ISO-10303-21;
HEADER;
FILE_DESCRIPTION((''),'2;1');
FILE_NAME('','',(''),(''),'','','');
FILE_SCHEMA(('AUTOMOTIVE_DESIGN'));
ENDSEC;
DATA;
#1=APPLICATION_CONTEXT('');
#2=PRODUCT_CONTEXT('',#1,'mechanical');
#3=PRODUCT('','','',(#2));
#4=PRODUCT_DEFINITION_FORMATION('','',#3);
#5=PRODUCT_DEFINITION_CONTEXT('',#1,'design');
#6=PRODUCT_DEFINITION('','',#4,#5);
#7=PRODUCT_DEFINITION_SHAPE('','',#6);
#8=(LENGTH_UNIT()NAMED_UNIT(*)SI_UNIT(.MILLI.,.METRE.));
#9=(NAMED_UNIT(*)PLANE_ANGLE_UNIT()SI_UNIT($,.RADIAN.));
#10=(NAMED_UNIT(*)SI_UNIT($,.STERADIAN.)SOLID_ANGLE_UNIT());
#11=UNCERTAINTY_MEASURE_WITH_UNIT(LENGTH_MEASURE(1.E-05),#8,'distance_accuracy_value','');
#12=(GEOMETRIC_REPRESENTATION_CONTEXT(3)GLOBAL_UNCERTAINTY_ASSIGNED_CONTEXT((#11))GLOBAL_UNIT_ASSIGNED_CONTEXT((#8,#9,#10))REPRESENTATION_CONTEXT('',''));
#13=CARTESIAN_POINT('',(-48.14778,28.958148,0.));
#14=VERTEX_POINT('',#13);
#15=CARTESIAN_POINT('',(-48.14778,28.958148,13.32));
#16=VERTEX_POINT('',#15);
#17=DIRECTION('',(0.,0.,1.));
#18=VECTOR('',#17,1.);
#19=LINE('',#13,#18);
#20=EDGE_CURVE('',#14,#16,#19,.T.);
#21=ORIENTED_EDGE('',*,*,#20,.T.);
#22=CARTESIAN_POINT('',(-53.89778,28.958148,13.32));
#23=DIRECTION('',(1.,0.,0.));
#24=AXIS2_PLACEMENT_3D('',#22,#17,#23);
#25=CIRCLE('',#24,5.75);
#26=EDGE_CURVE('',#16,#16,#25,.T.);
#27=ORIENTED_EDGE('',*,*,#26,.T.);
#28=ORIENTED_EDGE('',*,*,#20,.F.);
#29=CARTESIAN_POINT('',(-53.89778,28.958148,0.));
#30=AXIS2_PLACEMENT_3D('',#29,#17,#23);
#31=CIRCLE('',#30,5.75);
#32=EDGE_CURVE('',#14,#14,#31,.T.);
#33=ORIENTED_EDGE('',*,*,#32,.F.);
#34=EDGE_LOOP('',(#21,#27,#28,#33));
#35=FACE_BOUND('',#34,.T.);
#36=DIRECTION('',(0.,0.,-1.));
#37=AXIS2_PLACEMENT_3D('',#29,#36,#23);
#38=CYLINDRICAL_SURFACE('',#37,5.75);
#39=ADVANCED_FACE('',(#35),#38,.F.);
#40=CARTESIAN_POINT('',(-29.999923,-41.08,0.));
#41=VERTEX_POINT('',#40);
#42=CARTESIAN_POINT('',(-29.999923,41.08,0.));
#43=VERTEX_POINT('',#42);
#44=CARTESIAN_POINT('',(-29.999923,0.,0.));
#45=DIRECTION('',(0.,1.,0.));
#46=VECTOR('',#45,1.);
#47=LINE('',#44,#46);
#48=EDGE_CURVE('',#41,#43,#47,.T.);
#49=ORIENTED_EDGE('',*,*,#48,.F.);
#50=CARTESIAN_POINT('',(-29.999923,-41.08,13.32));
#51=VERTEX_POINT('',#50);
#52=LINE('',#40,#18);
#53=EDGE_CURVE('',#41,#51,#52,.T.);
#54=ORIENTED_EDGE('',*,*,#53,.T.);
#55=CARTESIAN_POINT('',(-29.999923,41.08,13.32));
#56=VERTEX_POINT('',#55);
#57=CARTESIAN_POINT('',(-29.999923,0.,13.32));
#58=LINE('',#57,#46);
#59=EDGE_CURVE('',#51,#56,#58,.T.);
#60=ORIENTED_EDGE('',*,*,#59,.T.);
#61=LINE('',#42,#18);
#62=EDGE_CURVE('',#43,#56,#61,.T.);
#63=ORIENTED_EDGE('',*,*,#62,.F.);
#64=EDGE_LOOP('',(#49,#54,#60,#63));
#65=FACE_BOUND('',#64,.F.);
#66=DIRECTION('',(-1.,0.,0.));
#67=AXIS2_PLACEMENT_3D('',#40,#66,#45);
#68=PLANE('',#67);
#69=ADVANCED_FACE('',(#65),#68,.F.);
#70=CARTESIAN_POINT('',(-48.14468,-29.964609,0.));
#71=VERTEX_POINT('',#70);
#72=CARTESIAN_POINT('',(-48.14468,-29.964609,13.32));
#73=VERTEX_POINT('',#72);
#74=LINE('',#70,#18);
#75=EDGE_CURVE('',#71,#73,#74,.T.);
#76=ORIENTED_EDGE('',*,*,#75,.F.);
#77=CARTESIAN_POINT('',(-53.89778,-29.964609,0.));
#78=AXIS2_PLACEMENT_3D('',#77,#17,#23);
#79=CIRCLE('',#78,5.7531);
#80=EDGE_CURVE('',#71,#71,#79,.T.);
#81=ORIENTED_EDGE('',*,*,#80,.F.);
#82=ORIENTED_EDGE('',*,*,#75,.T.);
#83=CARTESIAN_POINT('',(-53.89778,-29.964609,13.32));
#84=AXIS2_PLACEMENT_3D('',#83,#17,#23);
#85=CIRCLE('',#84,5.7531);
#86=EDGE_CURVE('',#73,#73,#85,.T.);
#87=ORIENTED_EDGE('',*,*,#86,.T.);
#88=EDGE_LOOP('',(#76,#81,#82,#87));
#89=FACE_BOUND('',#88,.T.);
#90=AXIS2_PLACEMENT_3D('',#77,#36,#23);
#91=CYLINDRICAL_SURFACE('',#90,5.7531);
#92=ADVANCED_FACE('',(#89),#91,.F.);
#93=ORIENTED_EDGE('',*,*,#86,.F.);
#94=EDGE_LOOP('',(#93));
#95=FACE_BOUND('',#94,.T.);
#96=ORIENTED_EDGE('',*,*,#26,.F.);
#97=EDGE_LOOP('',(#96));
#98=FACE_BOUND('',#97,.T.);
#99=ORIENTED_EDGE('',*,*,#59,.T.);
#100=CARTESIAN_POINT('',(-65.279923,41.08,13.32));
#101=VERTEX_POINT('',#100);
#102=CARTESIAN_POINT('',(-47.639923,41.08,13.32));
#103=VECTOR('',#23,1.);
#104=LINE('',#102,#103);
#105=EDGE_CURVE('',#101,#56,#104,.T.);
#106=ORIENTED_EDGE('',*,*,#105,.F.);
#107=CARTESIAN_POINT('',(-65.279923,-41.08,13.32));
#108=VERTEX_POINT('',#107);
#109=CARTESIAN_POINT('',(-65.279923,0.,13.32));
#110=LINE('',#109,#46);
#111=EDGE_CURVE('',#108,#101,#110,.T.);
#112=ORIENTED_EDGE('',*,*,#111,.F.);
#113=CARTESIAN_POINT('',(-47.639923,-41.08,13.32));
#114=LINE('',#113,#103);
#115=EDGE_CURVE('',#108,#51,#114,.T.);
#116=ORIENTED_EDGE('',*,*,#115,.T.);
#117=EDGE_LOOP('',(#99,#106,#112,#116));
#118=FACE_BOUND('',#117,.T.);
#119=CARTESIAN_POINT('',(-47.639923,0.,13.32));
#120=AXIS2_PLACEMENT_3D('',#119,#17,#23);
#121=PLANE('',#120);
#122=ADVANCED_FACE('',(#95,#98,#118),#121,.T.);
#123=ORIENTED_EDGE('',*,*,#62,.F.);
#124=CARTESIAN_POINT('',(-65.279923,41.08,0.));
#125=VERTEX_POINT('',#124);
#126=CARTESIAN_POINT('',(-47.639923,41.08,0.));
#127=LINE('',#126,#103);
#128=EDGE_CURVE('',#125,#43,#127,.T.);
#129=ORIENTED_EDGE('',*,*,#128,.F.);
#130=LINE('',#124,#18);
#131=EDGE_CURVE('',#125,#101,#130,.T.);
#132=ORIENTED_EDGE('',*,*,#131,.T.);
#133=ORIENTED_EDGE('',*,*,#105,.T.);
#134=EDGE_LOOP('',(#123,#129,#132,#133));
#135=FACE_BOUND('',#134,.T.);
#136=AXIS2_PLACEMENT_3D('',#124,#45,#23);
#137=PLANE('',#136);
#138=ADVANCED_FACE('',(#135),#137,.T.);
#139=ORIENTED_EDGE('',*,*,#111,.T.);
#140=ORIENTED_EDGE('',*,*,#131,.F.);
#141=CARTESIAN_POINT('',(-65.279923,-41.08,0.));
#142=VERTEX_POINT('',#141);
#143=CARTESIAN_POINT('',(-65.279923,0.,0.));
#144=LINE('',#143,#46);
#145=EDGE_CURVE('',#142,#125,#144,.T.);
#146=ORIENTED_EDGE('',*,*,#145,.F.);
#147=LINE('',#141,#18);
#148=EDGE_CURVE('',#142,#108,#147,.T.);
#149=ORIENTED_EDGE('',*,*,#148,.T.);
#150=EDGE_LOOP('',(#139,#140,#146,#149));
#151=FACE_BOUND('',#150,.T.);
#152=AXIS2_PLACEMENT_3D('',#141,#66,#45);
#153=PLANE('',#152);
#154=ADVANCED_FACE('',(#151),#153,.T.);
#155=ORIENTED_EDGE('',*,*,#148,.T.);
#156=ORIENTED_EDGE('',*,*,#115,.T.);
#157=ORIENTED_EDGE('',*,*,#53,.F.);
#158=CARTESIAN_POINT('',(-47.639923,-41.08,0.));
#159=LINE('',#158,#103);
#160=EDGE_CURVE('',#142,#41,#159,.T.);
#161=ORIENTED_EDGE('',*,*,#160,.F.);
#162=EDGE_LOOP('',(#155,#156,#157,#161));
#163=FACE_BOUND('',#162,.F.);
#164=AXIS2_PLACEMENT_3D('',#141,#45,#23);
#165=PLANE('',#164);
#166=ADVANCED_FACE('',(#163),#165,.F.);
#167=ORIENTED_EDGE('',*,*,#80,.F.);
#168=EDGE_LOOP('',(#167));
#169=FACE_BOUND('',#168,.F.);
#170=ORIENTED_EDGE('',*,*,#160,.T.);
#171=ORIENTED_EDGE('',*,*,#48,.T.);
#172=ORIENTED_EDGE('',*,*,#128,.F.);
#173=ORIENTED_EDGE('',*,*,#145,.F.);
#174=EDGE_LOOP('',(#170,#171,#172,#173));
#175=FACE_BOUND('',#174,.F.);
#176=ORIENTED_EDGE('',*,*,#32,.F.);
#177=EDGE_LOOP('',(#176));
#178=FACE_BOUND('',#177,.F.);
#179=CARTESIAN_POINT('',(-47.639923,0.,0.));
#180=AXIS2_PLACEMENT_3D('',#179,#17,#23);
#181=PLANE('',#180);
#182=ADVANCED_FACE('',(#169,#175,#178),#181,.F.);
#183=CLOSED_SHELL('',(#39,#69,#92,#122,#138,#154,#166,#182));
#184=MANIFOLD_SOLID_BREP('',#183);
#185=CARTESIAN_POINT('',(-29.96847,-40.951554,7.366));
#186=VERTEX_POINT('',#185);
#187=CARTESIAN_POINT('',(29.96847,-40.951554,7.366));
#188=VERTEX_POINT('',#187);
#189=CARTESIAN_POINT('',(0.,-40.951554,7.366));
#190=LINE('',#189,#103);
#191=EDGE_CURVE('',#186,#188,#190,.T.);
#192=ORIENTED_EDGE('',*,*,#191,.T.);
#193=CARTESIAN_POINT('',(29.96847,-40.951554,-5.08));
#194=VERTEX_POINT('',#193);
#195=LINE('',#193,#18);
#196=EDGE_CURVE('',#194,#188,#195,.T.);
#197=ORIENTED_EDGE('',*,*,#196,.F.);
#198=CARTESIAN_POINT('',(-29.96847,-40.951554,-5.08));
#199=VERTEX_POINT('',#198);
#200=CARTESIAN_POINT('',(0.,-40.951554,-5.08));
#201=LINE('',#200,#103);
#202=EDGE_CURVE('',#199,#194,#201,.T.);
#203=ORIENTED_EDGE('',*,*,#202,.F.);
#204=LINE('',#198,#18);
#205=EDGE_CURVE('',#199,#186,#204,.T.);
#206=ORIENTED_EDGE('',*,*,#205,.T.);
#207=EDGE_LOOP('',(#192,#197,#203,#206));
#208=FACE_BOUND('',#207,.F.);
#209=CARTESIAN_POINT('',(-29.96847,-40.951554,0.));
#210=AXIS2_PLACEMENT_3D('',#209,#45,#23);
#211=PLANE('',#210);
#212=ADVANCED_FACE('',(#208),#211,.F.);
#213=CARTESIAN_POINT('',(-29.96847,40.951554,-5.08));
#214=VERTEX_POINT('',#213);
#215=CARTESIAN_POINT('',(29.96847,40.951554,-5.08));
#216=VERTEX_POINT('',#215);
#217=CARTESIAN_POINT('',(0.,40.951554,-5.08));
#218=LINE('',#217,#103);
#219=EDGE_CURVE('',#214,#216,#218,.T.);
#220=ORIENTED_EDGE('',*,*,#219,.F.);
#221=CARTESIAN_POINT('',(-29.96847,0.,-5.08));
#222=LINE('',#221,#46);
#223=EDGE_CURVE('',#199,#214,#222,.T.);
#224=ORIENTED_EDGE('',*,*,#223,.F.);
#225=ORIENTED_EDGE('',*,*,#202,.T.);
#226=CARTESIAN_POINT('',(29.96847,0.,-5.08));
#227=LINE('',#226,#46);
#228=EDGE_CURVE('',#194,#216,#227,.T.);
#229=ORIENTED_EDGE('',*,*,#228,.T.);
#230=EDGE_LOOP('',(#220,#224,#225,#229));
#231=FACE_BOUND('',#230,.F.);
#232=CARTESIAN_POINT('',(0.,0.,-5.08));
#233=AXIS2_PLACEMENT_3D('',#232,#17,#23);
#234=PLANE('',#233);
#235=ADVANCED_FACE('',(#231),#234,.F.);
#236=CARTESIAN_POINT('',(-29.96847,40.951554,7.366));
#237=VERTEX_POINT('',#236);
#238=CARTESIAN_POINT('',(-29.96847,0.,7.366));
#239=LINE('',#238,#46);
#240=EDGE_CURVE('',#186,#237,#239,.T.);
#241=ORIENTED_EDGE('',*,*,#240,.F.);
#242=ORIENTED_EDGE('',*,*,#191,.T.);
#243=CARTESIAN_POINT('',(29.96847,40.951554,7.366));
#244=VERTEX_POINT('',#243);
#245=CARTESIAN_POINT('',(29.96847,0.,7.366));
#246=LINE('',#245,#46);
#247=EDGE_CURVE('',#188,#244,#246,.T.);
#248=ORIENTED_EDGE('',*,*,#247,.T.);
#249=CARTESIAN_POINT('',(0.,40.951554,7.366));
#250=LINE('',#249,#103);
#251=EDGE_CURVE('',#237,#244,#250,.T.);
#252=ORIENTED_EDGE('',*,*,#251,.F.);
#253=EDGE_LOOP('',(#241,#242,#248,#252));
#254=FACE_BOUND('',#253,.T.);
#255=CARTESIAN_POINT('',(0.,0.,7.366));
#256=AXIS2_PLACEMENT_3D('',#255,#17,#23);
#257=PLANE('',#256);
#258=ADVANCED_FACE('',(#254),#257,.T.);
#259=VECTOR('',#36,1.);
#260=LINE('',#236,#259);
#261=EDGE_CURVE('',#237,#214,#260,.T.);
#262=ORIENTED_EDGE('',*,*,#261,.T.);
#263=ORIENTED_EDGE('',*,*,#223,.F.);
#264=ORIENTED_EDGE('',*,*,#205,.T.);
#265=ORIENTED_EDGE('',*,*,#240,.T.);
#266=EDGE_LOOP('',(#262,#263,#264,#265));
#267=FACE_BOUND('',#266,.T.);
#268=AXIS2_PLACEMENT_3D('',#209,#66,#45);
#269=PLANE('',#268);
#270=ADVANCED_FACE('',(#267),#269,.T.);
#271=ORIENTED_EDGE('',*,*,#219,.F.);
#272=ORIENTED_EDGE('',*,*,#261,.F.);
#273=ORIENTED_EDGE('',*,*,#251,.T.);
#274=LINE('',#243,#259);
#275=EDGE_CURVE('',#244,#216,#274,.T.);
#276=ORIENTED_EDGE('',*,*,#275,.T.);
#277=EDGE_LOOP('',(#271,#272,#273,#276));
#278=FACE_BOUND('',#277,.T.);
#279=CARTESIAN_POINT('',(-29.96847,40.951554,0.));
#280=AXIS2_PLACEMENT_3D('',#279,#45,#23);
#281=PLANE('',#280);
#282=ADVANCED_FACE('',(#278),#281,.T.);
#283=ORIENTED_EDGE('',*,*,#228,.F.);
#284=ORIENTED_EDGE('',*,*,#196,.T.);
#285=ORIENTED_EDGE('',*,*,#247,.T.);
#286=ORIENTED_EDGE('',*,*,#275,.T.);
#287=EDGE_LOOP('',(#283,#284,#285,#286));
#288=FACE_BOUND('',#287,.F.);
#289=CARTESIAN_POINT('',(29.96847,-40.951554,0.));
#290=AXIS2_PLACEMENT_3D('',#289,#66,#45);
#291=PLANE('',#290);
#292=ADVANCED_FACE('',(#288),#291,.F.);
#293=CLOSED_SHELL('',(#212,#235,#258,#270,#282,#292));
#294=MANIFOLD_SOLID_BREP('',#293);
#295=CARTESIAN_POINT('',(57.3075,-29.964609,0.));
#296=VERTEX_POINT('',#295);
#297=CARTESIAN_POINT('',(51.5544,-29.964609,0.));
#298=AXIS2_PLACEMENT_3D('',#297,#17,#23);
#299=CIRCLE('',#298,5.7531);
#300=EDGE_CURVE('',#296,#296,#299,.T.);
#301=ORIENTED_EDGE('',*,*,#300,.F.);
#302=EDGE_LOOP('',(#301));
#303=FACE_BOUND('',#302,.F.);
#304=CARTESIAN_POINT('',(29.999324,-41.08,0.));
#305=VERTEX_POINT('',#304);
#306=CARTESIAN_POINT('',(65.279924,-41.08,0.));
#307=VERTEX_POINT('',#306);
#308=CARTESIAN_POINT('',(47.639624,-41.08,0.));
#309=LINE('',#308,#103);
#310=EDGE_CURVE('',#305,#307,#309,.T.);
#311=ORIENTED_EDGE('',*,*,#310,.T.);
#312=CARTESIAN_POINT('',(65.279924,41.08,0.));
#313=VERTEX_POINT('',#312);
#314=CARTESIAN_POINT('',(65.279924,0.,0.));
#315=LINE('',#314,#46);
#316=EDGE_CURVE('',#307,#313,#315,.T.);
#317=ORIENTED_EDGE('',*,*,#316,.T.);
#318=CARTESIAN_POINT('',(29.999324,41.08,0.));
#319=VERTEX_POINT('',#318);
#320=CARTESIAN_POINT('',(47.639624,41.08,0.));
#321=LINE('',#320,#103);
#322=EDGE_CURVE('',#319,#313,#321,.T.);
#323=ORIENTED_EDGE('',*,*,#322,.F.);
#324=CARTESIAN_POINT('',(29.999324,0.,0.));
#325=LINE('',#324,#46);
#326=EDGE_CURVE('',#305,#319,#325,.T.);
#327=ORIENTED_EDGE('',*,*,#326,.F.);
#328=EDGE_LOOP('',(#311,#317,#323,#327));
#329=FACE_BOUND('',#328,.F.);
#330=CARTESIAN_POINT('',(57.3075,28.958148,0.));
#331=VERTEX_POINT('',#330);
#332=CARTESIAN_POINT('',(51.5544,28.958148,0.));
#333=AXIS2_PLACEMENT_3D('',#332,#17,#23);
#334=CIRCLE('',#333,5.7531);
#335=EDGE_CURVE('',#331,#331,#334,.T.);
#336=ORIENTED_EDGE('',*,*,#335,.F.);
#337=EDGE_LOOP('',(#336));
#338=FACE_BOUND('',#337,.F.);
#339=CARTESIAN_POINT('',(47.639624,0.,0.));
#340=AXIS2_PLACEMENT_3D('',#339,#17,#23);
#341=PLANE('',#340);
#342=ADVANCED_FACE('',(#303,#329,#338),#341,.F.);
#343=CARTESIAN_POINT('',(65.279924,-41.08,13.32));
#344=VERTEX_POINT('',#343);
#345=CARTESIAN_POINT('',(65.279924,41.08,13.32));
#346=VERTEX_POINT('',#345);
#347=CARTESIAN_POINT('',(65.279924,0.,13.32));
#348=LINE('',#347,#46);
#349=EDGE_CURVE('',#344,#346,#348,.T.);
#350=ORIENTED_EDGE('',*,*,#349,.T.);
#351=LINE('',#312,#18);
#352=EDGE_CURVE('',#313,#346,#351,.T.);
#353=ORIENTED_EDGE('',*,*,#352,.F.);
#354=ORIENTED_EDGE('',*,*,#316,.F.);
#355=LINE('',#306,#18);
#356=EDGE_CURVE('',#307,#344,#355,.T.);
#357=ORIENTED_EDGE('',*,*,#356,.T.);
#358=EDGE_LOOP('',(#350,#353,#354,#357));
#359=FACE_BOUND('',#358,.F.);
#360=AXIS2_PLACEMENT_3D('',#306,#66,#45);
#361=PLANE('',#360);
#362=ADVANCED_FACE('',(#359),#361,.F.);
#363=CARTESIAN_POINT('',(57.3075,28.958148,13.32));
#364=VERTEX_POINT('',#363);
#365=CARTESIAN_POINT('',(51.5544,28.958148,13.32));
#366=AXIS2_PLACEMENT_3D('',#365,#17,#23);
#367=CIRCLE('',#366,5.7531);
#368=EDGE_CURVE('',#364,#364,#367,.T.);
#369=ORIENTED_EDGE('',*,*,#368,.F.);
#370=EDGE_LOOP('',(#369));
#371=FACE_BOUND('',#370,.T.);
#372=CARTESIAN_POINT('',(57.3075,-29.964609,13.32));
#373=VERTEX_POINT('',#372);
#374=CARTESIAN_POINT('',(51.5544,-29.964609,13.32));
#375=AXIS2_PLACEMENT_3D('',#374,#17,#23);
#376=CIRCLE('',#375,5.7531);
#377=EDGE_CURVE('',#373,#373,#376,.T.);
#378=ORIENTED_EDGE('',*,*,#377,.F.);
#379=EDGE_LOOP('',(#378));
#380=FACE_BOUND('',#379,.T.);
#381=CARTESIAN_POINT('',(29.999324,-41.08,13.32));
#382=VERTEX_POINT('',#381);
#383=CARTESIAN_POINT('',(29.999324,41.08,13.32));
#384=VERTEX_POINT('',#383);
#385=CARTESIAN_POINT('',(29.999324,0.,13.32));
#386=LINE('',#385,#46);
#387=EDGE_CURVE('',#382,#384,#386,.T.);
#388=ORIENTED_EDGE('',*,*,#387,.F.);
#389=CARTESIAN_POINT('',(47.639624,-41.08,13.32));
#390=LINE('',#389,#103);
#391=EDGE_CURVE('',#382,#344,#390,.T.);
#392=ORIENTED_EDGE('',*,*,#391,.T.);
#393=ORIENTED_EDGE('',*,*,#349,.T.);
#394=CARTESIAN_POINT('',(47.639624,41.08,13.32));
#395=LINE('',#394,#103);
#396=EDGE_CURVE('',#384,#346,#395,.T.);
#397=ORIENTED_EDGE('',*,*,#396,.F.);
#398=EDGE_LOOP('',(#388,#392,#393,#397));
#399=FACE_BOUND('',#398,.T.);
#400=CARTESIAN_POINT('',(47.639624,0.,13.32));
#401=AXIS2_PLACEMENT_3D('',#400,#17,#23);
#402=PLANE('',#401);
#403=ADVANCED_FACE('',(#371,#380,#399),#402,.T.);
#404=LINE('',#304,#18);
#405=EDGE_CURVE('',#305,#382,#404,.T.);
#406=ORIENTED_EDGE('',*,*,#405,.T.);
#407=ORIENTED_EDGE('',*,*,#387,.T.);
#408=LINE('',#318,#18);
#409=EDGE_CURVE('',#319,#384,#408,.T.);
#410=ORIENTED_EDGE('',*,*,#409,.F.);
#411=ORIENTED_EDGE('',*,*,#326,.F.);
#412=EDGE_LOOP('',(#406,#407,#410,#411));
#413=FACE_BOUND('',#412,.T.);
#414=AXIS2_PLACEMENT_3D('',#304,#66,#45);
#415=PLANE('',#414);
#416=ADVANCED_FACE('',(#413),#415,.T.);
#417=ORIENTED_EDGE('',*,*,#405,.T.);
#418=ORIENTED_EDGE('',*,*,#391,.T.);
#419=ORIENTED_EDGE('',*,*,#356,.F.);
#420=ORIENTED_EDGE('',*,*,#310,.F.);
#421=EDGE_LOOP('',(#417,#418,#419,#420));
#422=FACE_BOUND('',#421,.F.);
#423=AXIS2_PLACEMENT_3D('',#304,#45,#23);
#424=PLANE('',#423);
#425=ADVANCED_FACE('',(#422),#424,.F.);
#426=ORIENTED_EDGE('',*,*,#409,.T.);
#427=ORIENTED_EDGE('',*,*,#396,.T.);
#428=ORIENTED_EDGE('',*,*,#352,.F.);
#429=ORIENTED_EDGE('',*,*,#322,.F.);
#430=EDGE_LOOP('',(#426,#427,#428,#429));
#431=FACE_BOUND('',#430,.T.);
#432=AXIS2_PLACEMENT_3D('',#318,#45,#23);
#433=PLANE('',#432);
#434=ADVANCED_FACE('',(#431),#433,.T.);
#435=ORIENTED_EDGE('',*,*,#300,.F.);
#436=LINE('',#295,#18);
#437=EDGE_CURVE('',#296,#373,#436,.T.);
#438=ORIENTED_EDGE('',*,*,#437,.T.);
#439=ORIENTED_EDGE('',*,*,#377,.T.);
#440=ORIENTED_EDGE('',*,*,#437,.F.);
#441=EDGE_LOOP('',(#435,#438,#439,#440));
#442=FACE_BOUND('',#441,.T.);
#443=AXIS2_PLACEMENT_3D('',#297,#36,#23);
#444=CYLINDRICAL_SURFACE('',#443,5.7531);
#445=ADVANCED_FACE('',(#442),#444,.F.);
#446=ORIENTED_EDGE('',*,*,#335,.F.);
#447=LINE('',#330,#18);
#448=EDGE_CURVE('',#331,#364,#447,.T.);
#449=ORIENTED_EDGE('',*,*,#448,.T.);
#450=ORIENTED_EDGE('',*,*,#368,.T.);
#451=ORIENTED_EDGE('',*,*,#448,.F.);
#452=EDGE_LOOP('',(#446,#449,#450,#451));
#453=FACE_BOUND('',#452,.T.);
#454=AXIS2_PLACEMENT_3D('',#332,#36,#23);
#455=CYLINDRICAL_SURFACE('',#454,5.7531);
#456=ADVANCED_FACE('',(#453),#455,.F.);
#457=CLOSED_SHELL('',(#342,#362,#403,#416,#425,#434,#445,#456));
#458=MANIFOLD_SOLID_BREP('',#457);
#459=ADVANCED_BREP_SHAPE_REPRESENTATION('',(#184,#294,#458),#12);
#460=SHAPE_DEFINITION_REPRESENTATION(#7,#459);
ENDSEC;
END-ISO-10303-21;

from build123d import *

# Parameters (mm, degrees)
F0_W     = 35.280001
F0_H     = 82.16
F0_R     = 5.7531
F0_R_2   = 5.75
F0_W_2   = 35.2806
F1_DEPTH = 13.32
F2_W     = 59.93694
F2_H     = 81.903108
F3_DEPTH = 5.08
F4_W     = 59.93694
F4_H     = 81.903108
F5_DEPTH = 7.366


with BuildPart() as f1:
    # F0 (on Top) → F1 (new body)
    with BuildSketch(Plane.XY):
        with Locations((-47.639923, 0)):
            Rectangle(F0_W, F0_H)
        with Locations((-53.89778, -29.964609)):
            Circle(F0_R, mode=Mode.SUBTRACT)
        with Locations((-53.89778, 28.958148)):
            Circle(F0_R_2, mode=Mode.SUBTRACT)
        with Locations((47.639624, 0)):
            Rectangle(F0_W_2, F0_H)
        with Locations((51.5544, -29.964609)):
            Circle(F0_R, mode=Mode.SUBTRACT)
        with Locations((51.5544, 28.958148)):
            Circle(F0_R, mode=Mode.SUBTRACT)
    extrude(amount=F1_DEPTH)


with BuildPart() as f3:
    # F2 (on Top) → F3 (new body)
    with BuildSketch(Plane.XY):
        Rectangle(F2_W, F2_H)
    extrude(amount=-F3_DEPTH)

    # F4 (on face) → F5 (join)
    with BuildSketch(Plane.XY):
        Rectangle(F4_W, F4_H)
    extrude(amount=F5_DEPTH)


solid = Compound([f1.part, f3.part])
